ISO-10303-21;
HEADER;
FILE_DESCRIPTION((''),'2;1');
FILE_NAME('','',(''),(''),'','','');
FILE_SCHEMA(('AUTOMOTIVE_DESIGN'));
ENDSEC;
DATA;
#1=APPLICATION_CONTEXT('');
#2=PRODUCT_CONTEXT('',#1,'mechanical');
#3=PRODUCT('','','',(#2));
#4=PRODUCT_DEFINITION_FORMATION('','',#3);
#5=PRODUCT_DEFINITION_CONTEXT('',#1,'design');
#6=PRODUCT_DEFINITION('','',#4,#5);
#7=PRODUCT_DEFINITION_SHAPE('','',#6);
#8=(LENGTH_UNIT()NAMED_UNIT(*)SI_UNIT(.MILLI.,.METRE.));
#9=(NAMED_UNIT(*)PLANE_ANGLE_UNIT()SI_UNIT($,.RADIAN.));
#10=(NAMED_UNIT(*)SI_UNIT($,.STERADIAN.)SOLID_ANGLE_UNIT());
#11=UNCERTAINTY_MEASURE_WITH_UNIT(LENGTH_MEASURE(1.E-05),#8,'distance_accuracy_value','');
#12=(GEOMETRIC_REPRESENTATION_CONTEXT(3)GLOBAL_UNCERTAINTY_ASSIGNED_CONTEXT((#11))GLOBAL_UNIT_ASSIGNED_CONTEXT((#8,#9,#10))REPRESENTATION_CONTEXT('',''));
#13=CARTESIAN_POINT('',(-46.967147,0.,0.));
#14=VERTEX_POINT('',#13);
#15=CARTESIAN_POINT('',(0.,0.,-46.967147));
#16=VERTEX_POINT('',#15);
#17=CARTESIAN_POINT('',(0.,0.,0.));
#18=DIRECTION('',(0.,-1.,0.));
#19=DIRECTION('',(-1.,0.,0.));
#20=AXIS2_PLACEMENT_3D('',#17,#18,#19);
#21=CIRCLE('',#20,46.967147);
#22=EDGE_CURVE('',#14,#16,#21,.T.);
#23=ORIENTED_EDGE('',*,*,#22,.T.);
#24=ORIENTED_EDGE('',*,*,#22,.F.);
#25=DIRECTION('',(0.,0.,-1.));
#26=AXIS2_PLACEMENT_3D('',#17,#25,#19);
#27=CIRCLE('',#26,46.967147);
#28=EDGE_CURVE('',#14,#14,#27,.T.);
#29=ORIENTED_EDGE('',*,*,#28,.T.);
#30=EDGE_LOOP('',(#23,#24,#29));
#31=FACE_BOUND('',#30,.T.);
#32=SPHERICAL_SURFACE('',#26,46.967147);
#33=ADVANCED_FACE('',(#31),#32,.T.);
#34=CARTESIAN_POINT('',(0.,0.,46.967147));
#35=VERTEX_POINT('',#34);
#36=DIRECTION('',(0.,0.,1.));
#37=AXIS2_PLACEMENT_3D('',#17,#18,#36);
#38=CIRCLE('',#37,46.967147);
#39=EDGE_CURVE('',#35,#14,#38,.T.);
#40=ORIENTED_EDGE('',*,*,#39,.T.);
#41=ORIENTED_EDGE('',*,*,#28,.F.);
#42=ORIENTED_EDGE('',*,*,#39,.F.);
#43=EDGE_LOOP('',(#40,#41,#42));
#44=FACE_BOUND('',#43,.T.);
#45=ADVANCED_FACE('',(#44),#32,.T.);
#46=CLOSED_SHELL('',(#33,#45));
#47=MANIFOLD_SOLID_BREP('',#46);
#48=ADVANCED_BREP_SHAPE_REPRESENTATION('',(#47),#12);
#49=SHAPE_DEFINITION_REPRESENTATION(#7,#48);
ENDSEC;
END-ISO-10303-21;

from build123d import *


with BuildPart() as f1:
    # F0 (on Front) → F1 (revolve)
    with BuildSketch(Plane.XZ):
        with BuildLine():
            Line((0, 0), (0, 46.9671465896))
            ThreePointArc((0, 46.9671465896), (-33.2107878465, 33.2107878465), (-46.9671465896, 0))
            Line((-46.9671465896, 0), (0, 0))
        make_face()
        with BuildLine():
            ThreePointArc((-46.9671465896, 0), (-33.2107878465, -33.2107878465), (0, -46.9671465896))
            Line((0, -46.9671465896), (0, 0))
            Line((0, 0), (-46.9671465896, 0))
        make_face()
    revolve(axis=Axis((0, 0, 0), (0, 0, -1)))


solid = f1.part
